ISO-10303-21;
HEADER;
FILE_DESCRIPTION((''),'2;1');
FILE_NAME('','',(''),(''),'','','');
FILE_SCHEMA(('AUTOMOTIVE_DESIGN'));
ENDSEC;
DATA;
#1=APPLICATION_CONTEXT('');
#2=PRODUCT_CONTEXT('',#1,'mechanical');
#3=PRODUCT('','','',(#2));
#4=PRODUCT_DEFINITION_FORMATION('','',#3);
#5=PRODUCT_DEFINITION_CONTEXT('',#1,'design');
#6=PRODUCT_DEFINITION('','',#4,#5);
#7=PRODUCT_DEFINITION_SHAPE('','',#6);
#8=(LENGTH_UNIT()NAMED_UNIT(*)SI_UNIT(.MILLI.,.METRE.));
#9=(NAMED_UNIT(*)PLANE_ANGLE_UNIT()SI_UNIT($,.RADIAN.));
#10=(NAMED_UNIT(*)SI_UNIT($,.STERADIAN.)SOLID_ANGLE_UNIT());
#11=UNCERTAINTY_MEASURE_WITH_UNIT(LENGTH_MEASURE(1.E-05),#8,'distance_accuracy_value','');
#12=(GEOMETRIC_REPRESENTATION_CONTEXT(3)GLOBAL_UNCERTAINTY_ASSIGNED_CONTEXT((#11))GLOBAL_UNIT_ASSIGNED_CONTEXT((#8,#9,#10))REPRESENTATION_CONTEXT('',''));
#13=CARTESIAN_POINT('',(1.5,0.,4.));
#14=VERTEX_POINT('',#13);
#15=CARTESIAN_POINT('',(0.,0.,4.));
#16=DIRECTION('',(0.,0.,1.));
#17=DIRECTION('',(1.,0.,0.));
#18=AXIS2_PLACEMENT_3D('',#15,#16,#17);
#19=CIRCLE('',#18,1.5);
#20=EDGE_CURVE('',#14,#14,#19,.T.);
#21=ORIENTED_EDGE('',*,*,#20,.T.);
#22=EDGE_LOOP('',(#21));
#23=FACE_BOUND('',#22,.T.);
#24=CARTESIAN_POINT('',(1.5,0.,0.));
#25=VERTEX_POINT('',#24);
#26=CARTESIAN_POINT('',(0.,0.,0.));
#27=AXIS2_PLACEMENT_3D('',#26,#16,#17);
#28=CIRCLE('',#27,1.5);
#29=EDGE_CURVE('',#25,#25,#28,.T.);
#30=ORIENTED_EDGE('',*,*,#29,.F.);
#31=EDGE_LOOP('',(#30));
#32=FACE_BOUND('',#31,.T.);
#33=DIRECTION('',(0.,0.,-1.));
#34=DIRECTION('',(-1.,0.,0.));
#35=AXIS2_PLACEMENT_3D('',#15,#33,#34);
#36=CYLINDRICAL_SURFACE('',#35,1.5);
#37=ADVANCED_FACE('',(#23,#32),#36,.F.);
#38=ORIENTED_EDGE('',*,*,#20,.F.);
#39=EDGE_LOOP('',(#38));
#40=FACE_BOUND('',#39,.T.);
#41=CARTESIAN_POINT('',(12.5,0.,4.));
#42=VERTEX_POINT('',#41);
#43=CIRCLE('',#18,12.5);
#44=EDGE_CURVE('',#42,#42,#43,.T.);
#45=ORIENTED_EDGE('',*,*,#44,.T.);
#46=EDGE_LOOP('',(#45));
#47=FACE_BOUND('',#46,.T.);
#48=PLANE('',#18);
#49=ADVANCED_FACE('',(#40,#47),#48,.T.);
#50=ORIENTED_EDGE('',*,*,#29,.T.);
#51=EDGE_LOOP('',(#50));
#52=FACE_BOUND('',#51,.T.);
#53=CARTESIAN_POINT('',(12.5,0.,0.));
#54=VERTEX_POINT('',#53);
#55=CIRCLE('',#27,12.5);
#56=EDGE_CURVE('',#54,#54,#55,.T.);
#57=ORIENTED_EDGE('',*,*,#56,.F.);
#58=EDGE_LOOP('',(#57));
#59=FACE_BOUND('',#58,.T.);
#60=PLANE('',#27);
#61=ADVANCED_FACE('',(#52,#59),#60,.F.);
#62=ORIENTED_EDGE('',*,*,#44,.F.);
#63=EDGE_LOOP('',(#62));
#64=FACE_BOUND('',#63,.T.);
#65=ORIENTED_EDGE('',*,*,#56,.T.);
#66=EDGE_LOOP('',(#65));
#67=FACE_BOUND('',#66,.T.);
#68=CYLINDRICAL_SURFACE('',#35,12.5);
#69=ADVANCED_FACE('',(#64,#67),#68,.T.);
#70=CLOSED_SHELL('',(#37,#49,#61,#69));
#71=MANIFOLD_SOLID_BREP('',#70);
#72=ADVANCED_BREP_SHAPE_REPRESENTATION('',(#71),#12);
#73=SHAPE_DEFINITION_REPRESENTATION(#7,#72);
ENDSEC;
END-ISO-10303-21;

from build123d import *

# Parameters (mm, degrees)
SKETCH_1_R      = 12.5
SKETCH_1_R_2    = 1.5
EXTRUDE_1_DEPTH = 4


with BuildPart() as part:
    # Эскиз1 → Бобышка-Вытянуть1 (new body)
    with BuildSketch(Plane.XY):
        Circle(SKETCH_1_R)
        Circle(SKETCH_1_R_2, mode=Mode.SUBTRACT)
    extrude(amount=EXTRUDE_1_DEPTH)


solid = part.part
